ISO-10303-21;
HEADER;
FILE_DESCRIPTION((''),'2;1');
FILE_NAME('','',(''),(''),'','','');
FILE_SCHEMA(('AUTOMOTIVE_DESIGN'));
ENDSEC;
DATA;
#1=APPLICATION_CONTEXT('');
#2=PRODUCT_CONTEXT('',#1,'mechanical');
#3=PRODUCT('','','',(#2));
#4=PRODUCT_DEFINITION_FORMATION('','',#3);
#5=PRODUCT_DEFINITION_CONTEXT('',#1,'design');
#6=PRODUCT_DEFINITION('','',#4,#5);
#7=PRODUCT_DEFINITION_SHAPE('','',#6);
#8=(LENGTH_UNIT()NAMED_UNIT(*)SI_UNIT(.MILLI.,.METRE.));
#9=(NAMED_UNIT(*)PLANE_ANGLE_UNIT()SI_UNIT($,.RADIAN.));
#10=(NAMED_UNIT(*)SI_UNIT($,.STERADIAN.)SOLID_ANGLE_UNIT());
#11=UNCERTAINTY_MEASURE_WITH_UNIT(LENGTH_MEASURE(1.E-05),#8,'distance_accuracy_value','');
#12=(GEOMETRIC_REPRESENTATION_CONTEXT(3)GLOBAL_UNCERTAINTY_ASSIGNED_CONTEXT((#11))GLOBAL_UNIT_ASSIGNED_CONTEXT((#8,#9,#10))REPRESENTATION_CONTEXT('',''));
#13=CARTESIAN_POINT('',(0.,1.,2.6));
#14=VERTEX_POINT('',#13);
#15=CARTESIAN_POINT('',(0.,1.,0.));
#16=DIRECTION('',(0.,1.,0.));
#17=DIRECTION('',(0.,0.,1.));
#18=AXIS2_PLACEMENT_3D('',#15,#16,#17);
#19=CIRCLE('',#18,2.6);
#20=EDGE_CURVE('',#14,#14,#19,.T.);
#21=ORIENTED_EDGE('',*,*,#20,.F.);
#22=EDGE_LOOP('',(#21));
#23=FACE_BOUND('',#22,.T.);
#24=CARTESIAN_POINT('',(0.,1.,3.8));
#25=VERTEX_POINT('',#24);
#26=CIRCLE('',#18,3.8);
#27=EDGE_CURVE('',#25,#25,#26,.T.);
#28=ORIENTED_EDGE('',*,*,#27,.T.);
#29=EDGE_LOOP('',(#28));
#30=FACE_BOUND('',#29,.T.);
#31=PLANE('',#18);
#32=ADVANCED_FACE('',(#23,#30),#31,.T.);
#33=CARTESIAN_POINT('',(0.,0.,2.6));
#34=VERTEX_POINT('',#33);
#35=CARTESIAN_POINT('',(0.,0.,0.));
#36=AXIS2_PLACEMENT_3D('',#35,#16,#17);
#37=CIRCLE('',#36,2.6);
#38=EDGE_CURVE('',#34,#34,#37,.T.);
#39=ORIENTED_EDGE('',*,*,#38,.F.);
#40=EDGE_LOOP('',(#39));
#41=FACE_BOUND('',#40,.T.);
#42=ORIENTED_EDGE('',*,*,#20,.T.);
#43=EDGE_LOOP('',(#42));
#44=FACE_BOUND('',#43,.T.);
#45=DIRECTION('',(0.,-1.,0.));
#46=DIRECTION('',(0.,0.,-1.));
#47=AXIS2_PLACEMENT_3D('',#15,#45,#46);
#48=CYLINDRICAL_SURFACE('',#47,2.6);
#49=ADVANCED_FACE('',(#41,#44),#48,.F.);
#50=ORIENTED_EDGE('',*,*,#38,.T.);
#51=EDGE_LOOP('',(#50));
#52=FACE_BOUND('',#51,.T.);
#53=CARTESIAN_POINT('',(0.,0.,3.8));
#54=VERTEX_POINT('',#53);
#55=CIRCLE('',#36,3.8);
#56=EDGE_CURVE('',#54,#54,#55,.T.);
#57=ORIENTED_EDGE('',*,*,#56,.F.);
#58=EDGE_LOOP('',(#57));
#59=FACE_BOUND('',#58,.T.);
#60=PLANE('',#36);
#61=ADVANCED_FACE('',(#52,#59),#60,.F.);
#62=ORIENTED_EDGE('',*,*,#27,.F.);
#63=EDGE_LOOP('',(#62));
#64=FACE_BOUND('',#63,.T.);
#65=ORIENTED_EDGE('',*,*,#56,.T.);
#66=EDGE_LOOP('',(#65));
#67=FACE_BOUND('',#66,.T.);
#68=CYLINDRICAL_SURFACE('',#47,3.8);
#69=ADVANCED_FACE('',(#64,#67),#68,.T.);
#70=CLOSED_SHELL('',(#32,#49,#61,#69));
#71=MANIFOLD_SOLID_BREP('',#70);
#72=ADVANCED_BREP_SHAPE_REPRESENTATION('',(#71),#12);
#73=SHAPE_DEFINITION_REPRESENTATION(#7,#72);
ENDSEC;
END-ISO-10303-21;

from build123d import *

# Parameters (mm, degrees)
SKETCH_1_R      = 3.8
SKETCH_1_R_2    = 2.6
EXTRUDE_1_DEPTH = 1


with BuildPart() as part:
    # Эскиз1 → Бобышка-Вытянуть1 (new body)
    with BuildSketch(Plane(origin=(0, 0, 0), x_dir=(1, 0, 0), z_dir=(0, 1, 0))):
        Circle(SKETCH_1_R)
        Circle(SKETCH_1_R_2, mode=Mode.SUBTRACT)
    extrude(amount=EXTRUDE_1_DEPTH)


solid = part.part
